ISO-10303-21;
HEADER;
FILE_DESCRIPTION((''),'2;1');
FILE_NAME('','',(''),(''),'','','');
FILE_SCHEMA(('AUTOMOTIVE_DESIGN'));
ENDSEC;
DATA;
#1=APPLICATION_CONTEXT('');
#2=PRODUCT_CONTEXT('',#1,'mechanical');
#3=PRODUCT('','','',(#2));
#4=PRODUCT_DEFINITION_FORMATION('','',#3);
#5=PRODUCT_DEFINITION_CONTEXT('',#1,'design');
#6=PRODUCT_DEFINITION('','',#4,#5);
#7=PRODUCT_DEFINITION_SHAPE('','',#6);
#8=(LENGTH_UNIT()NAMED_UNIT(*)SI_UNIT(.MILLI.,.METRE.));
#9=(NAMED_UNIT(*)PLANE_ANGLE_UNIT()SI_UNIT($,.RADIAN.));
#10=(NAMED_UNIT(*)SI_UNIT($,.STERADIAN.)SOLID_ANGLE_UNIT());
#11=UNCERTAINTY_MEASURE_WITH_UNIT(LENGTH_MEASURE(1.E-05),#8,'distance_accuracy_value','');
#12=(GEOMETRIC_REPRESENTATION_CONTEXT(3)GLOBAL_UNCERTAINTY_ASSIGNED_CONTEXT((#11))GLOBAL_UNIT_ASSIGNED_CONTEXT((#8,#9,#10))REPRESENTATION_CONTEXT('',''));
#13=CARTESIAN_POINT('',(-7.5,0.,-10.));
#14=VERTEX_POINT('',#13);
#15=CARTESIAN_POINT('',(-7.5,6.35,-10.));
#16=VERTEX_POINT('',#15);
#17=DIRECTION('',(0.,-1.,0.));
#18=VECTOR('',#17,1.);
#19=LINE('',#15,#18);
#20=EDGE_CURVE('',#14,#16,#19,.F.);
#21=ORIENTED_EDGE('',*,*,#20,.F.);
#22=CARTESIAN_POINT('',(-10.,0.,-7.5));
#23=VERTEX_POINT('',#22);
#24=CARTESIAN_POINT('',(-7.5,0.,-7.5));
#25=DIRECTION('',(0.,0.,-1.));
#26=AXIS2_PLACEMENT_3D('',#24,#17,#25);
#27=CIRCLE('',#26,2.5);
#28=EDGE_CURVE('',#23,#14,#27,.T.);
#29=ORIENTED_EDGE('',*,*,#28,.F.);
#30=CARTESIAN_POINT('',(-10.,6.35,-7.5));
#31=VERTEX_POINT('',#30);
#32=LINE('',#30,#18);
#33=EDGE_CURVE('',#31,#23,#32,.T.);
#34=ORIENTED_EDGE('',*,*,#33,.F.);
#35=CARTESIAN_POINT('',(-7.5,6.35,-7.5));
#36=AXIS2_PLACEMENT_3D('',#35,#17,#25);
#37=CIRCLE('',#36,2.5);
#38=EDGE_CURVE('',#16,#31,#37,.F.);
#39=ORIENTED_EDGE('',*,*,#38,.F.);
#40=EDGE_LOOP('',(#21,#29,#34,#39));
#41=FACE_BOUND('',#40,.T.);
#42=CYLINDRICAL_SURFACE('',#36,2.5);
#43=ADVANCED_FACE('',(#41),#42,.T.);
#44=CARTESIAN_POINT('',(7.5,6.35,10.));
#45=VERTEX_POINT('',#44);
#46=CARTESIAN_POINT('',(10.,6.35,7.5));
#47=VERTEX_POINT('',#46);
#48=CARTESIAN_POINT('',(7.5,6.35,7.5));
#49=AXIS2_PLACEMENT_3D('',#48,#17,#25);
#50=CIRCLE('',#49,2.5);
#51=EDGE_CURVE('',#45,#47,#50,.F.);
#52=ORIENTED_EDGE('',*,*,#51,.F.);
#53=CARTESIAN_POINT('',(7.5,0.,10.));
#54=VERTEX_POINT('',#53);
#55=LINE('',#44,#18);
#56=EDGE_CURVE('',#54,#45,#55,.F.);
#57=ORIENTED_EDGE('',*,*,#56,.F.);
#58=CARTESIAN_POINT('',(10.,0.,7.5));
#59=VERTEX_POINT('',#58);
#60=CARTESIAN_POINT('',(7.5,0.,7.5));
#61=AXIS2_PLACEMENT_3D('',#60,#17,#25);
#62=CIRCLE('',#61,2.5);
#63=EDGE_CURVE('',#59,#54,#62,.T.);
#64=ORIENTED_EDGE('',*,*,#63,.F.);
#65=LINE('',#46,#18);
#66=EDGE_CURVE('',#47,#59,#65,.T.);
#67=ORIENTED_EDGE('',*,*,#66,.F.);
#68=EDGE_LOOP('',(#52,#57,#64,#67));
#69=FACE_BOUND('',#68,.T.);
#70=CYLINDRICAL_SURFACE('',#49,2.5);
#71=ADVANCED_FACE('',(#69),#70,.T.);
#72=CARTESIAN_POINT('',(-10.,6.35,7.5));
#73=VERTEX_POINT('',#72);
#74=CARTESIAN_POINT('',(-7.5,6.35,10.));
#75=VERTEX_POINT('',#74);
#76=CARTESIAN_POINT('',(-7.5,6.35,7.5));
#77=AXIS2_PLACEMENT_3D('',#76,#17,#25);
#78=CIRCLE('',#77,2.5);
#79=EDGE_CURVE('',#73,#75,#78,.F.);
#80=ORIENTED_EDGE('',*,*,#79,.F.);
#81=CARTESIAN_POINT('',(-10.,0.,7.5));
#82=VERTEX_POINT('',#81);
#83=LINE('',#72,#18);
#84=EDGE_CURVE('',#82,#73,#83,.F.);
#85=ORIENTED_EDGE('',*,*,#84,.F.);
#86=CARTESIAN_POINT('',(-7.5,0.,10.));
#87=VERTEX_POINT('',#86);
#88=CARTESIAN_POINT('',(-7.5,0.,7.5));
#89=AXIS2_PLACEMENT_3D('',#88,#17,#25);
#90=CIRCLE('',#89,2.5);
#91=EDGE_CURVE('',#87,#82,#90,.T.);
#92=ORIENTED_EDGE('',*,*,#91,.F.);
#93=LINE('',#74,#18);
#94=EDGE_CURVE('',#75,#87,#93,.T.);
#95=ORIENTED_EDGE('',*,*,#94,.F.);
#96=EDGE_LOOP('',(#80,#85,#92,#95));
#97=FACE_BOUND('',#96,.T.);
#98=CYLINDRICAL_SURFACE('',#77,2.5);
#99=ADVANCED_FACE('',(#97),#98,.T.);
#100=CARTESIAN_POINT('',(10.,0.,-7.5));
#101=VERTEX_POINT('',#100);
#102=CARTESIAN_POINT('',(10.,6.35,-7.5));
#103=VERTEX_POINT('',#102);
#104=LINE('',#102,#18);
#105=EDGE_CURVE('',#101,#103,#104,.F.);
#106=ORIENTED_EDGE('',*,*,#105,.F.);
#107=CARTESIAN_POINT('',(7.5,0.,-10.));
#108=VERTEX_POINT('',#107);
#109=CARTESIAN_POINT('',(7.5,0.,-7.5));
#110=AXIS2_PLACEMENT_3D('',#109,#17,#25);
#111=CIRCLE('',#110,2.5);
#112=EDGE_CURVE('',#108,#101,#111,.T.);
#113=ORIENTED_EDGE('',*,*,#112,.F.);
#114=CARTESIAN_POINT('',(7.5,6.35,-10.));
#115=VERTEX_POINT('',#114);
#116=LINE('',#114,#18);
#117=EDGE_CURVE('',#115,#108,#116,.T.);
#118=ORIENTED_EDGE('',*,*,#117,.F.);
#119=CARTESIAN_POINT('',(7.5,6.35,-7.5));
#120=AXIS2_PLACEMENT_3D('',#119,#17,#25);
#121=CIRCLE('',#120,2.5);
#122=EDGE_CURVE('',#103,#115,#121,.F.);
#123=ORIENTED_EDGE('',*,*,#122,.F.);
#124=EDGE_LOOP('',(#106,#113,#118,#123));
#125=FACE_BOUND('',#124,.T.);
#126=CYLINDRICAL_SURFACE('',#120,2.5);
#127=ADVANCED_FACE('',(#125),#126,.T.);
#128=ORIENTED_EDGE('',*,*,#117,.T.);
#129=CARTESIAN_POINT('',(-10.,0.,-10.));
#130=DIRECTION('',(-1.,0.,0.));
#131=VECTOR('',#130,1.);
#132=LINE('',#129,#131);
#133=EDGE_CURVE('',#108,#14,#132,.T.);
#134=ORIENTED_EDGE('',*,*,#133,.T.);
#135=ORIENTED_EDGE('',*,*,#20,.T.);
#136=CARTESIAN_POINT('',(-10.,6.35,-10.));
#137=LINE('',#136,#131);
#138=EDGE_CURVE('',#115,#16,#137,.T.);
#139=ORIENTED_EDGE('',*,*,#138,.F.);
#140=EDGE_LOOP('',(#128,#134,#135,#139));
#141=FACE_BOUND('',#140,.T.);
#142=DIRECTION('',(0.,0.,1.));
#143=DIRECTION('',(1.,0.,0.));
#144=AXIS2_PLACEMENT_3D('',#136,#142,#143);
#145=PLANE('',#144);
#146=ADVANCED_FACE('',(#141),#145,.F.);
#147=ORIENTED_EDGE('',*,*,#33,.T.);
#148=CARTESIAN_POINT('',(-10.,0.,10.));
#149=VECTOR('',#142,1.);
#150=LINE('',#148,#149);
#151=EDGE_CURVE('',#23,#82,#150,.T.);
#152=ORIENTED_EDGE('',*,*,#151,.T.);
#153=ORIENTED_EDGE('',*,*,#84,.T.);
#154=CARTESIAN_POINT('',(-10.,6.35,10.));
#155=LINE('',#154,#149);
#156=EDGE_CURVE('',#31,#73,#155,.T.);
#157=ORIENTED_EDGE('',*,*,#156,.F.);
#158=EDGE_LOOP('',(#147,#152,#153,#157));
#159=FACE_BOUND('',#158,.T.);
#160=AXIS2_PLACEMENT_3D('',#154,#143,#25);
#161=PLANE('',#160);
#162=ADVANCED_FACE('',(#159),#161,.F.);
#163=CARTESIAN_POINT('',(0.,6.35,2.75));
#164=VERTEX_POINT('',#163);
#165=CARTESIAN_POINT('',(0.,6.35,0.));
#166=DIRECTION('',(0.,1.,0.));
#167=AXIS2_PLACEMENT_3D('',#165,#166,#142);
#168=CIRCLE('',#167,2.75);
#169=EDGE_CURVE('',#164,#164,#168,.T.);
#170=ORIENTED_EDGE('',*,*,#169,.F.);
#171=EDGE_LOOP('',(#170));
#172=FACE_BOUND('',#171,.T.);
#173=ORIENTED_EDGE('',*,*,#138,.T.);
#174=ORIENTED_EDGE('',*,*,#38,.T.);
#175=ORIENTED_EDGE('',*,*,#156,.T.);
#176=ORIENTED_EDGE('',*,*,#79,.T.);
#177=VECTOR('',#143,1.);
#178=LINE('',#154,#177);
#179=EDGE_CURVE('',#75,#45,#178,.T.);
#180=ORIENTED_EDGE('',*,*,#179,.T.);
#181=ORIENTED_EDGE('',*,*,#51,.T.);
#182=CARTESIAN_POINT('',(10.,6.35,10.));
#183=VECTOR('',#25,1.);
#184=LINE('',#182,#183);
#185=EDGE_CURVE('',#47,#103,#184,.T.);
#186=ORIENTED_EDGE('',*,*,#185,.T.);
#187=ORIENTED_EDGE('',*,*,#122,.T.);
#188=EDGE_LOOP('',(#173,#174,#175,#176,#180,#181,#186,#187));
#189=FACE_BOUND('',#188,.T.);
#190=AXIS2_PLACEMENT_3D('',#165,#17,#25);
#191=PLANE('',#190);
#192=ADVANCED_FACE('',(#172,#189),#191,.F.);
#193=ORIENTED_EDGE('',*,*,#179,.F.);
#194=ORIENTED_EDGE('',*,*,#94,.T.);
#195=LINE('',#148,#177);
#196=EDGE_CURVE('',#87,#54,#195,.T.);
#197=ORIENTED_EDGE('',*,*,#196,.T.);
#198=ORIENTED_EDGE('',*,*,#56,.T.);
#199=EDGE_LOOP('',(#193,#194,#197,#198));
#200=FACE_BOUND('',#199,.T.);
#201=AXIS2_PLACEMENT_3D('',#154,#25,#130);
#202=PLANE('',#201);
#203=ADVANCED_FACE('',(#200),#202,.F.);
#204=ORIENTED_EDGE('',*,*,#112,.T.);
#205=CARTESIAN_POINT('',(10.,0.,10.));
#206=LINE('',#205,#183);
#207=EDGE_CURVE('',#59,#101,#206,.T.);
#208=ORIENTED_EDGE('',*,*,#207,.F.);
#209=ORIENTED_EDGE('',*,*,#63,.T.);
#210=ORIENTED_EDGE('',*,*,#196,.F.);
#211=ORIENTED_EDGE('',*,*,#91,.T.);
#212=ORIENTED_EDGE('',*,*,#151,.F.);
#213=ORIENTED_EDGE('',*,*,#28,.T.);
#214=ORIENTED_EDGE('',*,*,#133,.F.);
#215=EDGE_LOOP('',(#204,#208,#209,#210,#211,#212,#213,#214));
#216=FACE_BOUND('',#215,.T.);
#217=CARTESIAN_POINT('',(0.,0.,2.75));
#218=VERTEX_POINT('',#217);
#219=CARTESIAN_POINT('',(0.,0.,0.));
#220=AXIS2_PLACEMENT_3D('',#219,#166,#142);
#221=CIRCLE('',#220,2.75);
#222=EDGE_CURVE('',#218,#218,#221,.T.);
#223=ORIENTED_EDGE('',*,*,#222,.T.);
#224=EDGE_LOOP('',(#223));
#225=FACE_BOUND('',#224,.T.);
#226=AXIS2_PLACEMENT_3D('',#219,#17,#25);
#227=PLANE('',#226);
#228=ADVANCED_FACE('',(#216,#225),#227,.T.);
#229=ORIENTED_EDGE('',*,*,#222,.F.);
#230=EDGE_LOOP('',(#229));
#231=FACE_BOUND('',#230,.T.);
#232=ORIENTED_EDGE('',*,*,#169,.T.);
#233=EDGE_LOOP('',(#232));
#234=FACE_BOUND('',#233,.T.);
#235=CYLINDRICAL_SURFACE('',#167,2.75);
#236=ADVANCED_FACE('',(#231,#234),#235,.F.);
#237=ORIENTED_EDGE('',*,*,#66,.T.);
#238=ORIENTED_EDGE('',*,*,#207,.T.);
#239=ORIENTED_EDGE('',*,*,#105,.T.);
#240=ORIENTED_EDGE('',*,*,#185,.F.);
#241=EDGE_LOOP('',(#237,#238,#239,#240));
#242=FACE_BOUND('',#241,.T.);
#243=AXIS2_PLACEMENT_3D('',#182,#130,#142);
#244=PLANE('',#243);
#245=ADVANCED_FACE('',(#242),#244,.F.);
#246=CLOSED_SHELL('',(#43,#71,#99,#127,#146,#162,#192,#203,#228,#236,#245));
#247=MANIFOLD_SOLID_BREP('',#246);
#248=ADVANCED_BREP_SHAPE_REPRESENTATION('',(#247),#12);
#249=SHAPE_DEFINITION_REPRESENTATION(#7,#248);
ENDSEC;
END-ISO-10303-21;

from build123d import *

# Parameters (mm, degrees)
SKETCH1_W            = 20
SKETCH1_H            = 20
BOSS_EXTRUDE1_DEPTH  = 6.35
M5_CLEARANCE_HOLE1_D = 5.5
FILLET1_R            = 2.5


with BuildPart() as part:
    # Sketch1 → Boss-Extrude1 (new body)
    with BuildSketch(Plane(origin=(0, 0, 0), x_dir=(1, 0, 0), z_dir=(0, 1, 0))):
        Rectangle(SKETCH1_W, SKETCH1_H)
    extrude(amount=BOSS_EXTRUDE1_DEPTH)

    # M5 Clearance Hole1 (through all)
    with Locations(Plane(origin=(0, 6.35, 0), x_dir=(1, 0, 0), z_dir=(0, 1, 0))):
        with Locations((0, 0)):
            Hole(M5_CLEARANCE_HOLE1_D / 2)

    # Fillet1
    fillet1_edges = [part.edges().sort_by_distance(p)[0] for p in [
        (10, 3.175, 10),
        (-10, 3.175, 10),
        (-10, 3.175, -10),
        (10, 3.175, -10),
    ]]
    fillet(fillet1_edges, radius=FILLET1_R)


solid = part.part
